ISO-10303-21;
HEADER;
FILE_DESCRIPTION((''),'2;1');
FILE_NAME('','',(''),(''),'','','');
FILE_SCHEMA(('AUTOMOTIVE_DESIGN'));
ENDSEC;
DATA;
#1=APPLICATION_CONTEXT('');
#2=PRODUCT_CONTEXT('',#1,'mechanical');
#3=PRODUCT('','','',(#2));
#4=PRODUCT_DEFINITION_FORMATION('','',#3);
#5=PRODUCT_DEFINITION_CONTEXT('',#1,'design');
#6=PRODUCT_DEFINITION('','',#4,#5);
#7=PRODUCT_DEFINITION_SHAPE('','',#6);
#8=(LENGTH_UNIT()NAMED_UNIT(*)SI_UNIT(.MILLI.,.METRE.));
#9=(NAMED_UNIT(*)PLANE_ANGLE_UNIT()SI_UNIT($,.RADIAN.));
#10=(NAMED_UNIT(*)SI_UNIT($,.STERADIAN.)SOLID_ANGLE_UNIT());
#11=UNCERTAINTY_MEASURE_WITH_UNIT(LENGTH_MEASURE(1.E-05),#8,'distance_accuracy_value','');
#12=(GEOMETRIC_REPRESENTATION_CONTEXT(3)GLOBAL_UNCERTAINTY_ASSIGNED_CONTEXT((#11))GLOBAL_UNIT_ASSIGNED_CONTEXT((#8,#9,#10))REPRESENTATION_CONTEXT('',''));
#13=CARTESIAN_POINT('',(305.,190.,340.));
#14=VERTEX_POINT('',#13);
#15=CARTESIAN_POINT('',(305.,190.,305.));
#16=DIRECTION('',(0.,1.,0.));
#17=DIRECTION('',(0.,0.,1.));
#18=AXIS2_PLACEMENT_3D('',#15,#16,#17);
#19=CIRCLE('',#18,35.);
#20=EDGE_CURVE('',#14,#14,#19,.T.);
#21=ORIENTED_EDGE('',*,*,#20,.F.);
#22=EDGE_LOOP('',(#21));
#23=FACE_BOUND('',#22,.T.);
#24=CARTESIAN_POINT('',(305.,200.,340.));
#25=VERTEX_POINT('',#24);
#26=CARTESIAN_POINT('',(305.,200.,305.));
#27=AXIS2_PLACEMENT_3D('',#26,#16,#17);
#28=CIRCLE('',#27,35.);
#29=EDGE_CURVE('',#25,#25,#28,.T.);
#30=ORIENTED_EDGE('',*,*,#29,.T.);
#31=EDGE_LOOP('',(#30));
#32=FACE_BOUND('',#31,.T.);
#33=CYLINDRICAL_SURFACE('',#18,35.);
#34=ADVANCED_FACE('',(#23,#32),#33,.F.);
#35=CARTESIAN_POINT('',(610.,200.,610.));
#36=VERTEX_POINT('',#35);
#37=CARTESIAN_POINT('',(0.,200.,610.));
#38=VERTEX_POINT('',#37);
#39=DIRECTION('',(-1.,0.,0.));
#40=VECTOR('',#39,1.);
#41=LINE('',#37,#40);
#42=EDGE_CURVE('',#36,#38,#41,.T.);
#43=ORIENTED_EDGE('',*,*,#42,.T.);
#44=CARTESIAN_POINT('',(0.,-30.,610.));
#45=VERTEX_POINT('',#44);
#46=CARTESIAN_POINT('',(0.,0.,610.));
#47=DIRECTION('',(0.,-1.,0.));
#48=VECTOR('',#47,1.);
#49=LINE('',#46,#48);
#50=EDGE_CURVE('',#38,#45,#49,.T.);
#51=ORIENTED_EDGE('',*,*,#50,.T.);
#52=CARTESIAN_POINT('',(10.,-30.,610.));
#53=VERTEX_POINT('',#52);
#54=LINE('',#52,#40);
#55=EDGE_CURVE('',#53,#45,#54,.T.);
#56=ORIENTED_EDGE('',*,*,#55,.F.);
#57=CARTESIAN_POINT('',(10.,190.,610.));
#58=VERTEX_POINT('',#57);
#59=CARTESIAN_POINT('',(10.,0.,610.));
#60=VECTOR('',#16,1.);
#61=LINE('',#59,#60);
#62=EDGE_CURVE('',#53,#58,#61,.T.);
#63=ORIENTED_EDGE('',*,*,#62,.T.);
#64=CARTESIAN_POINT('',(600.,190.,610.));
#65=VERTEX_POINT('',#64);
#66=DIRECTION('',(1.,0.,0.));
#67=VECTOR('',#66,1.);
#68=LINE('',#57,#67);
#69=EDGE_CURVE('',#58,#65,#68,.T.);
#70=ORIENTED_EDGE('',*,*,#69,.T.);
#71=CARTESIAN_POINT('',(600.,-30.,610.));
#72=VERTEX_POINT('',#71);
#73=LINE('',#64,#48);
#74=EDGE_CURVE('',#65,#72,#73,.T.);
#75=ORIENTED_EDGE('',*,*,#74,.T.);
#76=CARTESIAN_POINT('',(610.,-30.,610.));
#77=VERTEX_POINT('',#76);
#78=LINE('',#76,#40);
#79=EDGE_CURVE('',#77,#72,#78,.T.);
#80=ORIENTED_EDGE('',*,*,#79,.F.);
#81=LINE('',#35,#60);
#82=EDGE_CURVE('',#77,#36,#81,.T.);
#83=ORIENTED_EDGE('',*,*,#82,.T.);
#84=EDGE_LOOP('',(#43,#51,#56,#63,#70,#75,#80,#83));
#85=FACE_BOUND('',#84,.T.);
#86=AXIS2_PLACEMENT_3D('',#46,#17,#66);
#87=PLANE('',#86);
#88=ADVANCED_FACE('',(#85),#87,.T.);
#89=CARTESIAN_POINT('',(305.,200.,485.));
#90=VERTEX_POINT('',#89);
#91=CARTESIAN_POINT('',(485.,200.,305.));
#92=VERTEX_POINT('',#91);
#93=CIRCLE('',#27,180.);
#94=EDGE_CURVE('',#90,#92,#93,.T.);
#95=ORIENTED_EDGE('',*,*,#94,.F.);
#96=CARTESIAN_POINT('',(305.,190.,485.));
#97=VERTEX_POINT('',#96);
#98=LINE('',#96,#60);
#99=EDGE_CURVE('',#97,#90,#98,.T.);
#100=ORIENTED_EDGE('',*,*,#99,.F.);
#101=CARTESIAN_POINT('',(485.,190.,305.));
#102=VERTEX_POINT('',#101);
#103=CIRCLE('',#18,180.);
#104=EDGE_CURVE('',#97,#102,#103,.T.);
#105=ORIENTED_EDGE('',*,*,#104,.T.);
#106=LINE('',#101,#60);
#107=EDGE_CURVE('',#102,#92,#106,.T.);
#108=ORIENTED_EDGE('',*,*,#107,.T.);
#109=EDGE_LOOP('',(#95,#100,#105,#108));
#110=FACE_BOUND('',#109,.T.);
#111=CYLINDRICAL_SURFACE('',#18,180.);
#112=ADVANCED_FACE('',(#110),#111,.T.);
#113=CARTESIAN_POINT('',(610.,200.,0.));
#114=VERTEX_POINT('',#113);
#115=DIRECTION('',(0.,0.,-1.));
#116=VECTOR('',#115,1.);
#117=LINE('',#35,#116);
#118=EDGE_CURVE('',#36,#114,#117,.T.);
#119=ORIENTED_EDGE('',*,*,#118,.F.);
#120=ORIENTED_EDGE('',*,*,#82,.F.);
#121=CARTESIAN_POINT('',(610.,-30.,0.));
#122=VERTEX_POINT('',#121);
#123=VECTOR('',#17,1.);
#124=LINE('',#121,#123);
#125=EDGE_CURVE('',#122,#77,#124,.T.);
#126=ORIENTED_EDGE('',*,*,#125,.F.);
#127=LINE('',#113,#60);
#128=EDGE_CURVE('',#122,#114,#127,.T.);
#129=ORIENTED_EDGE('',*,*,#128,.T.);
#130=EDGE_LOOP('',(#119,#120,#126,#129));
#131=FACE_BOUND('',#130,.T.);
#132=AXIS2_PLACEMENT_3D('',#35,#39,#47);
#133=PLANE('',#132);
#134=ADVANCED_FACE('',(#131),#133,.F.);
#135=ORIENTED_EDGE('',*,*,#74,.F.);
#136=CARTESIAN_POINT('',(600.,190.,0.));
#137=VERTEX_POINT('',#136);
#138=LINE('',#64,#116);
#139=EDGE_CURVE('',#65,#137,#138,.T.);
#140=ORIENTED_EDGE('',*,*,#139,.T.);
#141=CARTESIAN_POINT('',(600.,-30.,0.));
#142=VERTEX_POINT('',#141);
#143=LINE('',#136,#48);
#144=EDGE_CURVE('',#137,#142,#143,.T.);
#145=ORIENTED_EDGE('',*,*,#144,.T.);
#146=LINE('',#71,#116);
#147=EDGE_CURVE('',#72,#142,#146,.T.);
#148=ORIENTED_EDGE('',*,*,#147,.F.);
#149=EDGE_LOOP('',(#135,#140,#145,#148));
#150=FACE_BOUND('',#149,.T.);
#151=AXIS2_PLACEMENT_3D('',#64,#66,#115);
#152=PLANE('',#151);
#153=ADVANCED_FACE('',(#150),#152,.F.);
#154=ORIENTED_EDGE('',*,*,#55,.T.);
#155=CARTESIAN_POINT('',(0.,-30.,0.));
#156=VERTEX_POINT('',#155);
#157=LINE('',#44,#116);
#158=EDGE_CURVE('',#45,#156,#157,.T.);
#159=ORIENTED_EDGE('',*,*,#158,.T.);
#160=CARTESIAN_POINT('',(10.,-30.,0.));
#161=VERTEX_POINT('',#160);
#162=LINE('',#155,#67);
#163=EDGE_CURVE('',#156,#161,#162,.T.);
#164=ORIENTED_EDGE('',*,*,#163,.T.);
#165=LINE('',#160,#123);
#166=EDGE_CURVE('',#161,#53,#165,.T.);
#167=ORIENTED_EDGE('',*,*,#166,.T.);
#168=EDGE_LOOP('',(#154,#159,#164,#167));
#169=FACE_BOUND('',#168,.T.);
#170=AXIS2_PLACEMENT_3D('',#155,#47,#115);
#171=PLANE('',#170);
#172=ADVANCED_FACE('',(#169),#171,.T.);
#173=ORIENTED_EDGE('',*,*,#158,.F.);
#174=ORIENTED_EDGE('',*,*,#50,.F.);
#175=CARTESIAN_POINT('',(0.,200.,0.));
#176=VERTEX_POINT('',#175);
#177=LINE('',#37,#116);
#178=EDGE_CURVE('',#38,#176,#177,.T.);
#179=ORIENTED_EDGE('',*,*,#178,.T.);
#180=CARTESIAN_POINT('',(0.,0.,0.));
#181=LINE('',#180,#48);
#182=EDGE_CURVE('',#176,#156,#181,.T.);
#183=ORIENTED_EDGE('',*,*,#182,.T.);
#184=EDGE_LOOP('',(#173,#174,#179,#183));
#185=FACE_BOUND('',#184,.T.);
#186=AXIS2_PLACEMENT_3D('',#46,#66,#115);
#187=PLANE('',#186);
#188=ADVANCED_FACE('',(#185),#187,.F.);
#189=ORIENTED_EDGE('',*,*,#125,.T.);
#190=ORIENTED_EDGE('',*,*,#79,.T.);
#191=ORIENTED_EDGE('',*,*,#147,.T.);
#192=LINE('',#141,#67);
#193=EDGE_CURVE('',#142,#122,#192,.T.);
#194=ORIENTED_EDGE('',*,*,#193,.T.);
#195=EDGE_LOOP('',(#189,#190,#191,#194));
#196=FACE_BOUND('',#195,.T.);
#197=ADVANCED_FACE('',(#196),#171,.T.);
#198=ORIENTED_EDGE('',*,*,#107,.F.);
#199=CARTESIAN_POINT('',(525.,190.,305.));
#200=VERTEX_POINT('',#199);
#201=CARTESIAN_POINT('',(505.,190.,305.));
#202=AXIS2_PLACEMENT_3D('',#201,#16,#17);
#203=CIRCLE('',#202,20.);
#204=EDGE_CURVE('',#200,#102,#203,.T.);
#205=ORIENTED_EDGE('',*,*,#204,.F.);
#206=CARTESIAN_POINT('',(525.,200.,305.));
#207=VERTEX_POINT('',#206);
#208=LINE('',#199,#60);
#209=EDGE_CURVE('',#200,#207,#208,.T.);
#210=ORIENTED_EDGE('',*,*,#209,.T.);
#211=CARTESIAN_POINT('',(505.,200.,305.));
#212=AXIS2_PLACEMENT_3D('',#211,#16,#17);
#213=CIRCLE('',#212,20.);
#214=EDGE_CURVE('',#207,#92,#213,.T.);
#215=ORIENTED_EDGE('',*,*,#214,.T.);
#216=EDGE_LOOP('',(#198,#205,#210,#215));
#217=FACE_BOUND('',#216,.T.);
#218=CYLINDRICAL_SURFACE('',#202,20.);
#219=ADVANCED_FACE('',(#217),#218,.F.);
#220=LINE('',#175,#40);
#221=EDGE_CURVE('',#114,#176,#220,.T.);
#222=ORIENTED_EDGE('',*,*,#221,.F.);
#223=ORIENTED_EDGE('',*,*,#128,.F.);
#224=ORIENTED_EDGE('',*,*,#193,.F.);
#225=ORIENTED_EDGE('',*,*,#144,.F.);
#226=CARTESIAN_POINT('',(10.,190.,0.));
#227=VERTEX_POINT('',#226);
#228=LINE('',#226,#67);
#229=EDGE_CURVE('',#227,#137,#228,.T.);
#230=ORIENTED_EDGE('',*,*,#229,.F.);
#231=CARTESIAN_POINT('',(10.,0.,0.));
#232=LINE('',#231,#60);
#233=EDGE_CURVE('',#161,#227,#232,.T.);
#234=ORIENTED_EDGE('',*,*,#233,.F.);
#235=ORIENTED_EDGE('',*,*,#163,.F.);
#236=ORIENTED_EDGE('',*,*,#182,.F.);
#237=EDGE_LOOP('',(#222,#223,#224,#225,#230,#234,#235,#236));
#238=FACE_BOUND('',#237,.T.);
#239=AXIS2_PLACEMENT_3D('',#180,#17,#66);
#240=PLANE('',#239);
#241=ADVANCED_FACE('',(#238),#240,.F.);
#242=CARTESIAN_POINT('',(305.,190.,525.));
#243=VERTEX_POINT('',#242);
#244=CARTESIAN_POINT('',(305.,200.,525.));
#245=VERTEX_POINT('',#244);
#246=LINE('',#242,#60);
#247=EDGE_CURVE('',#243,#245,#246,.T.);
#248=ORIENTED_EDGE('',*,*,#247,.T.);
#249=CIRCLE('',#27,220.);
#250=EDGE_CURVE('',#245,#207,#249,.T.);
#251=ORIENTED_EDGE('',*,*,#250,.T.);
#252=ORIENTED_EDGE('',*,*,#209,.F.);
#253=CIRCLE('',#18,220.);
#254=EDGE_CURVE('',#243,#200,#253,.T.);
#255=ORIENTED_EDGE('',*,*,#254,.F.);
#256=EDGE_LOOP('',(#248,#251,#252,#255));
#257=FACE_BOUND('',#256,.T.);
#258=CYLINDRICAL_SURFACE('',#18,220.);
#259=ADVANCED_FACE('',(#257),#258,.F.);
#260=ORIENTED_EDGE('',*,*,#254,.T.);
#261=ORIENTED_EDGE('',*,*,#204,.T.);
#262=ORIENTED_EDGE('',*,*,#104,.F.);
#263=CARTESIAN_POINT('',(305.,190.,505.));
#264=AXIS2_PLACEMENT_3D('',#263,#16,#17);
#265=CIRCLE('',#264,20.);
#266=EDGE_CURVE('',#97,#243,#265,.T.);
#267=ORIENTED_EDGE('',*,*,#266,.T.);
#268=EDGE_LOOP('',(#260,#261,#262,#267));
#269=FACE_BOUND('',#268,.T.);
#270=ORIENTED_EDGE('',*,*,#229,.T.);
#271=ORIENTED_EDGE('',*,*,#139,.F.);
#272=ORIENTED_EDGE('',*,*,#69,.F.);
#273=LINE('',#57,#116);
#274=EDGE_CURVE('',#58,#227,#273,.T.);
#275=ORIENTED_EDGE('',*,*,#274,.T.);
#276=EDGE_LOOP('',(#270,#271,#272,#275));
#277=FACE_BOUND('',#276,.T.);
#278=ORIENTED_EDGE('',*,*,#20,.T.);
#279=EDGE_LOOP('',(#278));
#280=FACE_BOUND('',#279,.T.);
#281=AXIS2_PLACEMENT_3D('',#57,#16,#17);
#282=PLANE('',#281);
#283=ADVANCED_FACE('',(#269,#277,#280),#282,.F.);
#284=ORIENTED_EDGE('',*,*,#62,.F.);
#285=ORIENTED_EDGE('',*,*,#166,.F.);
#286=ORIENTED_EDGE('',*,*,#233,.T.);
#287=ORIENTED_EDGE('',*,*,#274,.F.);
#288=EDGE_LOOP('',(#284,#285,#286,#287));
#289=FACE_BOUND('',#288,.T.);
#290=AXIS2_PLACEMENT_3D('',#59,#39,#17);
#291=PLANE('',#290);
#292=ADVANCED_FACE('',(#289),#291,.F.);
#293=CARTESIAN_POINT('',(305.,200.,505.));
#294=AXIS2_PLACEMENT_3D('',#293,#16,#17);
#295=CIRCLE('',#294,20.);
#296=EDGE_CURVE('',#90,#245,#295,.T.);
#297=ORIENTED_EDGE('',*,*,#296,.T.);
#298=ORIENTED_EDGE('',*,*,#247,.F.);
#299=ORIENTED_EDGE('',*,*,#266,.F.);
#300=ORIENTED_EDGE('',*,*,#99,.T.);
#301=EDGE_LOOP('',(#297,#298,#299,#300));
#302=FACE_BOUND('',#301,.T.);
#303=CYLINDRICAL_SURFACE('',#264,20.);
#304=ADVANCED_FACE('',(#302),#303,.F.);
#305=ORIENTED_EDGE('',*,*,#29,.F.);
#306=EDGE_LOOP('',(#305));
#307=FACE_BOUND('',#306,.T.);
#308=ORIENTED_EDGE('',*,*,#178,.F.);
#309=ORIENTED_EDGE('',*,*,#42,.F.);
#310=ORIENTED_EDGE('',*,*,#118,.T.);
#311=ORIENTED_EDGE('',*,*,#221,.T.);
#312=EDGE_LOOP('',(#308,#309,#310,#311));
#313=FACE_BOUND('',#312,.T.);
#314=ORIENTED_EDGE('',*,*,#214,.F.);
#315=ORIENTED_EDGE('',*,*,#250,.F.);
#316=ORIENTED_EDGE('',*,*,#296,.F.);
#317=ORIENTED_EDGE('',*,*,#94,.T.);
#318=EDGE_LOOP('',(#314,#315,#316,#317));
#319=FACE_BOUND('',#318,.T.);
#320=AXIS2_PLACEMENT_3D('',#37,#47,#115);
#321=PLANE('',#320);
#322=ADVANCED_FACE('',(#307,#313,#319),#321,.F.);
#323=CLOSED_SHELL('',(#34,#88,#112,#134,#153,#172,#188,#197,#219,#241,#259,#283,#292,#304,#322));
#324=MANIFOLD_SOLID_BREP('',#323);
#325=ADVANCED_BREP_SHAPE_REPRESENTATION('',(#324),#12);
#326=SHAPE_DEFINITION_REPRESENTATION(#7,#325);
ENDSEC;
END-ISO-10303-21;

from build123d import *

# Parameters (mm, degrees)
Y_KSEKLIK_EKSTR_ZYON1_DEPTH = 610
IZIM3_W                     = 10
IZIM3_H                     = 610
Y_KSEKLIK_EKSTR_ZYON2_DEPTH = 30
IZIM2_R                     = 35
KES_EKSTR_ZYON1_DEPTH       = 10


with BuildPart() as part:
    # Çizim1 → Yükseklik-Ekstrüzyon1 (new body)
    with BuildSketch(Plane.XY):
        Polygon((0, 0), (0, 200), (610, 200), (610, 0), (600, 0), (600, 190), (10, 190), (10, 0), align=None)
    extrude(amount=Y_KSEKLIK_EKSTR_ZYON1_DEPTH)

    # Çizim3 → Yükseklik-Ekstrüzyon2 (add)
    with BuildSketch(Plane.XZ):
        with Locations((5, 305)):
            Rectangle(IZIM3_W, IZIM3_H)
        with Locations((605, 305)):
            Rectangle(IZIM3_W, IZIM3_H)
    extrude(amount=Y_KSEKLIK_EKSTR_ZYON2_DEPTH)

    # Çizim2 → Kes-Ekstrüzyon1 (cut)
    with BuildSketch(Plane(origin=(0, 200, 0), x_dir=(1, 0, 0), z_dir=(0, 1, 0))):
        with Locations(Location((305, -305, 0), (0, 0, 270))):
            Circle(IZIM2_R)
        with BuildLine():
            ThreePointArc((305, -525), (460.563491861, -460.563491861), (525, -305))
            ThreePointArc((525, -305), (505, -285), (485, -305))
            ThreePointArc((485, -305), (432.279220614, -432.279220614), (305, -485))
            ThreePointArc((305, -485), (285, -505), (305, -525))
        make_face()
    extrude(amount=-KES_EKSTR_ZYON1_DEPTH, mode=Mode.SUBTRACT)


solid = part.part
